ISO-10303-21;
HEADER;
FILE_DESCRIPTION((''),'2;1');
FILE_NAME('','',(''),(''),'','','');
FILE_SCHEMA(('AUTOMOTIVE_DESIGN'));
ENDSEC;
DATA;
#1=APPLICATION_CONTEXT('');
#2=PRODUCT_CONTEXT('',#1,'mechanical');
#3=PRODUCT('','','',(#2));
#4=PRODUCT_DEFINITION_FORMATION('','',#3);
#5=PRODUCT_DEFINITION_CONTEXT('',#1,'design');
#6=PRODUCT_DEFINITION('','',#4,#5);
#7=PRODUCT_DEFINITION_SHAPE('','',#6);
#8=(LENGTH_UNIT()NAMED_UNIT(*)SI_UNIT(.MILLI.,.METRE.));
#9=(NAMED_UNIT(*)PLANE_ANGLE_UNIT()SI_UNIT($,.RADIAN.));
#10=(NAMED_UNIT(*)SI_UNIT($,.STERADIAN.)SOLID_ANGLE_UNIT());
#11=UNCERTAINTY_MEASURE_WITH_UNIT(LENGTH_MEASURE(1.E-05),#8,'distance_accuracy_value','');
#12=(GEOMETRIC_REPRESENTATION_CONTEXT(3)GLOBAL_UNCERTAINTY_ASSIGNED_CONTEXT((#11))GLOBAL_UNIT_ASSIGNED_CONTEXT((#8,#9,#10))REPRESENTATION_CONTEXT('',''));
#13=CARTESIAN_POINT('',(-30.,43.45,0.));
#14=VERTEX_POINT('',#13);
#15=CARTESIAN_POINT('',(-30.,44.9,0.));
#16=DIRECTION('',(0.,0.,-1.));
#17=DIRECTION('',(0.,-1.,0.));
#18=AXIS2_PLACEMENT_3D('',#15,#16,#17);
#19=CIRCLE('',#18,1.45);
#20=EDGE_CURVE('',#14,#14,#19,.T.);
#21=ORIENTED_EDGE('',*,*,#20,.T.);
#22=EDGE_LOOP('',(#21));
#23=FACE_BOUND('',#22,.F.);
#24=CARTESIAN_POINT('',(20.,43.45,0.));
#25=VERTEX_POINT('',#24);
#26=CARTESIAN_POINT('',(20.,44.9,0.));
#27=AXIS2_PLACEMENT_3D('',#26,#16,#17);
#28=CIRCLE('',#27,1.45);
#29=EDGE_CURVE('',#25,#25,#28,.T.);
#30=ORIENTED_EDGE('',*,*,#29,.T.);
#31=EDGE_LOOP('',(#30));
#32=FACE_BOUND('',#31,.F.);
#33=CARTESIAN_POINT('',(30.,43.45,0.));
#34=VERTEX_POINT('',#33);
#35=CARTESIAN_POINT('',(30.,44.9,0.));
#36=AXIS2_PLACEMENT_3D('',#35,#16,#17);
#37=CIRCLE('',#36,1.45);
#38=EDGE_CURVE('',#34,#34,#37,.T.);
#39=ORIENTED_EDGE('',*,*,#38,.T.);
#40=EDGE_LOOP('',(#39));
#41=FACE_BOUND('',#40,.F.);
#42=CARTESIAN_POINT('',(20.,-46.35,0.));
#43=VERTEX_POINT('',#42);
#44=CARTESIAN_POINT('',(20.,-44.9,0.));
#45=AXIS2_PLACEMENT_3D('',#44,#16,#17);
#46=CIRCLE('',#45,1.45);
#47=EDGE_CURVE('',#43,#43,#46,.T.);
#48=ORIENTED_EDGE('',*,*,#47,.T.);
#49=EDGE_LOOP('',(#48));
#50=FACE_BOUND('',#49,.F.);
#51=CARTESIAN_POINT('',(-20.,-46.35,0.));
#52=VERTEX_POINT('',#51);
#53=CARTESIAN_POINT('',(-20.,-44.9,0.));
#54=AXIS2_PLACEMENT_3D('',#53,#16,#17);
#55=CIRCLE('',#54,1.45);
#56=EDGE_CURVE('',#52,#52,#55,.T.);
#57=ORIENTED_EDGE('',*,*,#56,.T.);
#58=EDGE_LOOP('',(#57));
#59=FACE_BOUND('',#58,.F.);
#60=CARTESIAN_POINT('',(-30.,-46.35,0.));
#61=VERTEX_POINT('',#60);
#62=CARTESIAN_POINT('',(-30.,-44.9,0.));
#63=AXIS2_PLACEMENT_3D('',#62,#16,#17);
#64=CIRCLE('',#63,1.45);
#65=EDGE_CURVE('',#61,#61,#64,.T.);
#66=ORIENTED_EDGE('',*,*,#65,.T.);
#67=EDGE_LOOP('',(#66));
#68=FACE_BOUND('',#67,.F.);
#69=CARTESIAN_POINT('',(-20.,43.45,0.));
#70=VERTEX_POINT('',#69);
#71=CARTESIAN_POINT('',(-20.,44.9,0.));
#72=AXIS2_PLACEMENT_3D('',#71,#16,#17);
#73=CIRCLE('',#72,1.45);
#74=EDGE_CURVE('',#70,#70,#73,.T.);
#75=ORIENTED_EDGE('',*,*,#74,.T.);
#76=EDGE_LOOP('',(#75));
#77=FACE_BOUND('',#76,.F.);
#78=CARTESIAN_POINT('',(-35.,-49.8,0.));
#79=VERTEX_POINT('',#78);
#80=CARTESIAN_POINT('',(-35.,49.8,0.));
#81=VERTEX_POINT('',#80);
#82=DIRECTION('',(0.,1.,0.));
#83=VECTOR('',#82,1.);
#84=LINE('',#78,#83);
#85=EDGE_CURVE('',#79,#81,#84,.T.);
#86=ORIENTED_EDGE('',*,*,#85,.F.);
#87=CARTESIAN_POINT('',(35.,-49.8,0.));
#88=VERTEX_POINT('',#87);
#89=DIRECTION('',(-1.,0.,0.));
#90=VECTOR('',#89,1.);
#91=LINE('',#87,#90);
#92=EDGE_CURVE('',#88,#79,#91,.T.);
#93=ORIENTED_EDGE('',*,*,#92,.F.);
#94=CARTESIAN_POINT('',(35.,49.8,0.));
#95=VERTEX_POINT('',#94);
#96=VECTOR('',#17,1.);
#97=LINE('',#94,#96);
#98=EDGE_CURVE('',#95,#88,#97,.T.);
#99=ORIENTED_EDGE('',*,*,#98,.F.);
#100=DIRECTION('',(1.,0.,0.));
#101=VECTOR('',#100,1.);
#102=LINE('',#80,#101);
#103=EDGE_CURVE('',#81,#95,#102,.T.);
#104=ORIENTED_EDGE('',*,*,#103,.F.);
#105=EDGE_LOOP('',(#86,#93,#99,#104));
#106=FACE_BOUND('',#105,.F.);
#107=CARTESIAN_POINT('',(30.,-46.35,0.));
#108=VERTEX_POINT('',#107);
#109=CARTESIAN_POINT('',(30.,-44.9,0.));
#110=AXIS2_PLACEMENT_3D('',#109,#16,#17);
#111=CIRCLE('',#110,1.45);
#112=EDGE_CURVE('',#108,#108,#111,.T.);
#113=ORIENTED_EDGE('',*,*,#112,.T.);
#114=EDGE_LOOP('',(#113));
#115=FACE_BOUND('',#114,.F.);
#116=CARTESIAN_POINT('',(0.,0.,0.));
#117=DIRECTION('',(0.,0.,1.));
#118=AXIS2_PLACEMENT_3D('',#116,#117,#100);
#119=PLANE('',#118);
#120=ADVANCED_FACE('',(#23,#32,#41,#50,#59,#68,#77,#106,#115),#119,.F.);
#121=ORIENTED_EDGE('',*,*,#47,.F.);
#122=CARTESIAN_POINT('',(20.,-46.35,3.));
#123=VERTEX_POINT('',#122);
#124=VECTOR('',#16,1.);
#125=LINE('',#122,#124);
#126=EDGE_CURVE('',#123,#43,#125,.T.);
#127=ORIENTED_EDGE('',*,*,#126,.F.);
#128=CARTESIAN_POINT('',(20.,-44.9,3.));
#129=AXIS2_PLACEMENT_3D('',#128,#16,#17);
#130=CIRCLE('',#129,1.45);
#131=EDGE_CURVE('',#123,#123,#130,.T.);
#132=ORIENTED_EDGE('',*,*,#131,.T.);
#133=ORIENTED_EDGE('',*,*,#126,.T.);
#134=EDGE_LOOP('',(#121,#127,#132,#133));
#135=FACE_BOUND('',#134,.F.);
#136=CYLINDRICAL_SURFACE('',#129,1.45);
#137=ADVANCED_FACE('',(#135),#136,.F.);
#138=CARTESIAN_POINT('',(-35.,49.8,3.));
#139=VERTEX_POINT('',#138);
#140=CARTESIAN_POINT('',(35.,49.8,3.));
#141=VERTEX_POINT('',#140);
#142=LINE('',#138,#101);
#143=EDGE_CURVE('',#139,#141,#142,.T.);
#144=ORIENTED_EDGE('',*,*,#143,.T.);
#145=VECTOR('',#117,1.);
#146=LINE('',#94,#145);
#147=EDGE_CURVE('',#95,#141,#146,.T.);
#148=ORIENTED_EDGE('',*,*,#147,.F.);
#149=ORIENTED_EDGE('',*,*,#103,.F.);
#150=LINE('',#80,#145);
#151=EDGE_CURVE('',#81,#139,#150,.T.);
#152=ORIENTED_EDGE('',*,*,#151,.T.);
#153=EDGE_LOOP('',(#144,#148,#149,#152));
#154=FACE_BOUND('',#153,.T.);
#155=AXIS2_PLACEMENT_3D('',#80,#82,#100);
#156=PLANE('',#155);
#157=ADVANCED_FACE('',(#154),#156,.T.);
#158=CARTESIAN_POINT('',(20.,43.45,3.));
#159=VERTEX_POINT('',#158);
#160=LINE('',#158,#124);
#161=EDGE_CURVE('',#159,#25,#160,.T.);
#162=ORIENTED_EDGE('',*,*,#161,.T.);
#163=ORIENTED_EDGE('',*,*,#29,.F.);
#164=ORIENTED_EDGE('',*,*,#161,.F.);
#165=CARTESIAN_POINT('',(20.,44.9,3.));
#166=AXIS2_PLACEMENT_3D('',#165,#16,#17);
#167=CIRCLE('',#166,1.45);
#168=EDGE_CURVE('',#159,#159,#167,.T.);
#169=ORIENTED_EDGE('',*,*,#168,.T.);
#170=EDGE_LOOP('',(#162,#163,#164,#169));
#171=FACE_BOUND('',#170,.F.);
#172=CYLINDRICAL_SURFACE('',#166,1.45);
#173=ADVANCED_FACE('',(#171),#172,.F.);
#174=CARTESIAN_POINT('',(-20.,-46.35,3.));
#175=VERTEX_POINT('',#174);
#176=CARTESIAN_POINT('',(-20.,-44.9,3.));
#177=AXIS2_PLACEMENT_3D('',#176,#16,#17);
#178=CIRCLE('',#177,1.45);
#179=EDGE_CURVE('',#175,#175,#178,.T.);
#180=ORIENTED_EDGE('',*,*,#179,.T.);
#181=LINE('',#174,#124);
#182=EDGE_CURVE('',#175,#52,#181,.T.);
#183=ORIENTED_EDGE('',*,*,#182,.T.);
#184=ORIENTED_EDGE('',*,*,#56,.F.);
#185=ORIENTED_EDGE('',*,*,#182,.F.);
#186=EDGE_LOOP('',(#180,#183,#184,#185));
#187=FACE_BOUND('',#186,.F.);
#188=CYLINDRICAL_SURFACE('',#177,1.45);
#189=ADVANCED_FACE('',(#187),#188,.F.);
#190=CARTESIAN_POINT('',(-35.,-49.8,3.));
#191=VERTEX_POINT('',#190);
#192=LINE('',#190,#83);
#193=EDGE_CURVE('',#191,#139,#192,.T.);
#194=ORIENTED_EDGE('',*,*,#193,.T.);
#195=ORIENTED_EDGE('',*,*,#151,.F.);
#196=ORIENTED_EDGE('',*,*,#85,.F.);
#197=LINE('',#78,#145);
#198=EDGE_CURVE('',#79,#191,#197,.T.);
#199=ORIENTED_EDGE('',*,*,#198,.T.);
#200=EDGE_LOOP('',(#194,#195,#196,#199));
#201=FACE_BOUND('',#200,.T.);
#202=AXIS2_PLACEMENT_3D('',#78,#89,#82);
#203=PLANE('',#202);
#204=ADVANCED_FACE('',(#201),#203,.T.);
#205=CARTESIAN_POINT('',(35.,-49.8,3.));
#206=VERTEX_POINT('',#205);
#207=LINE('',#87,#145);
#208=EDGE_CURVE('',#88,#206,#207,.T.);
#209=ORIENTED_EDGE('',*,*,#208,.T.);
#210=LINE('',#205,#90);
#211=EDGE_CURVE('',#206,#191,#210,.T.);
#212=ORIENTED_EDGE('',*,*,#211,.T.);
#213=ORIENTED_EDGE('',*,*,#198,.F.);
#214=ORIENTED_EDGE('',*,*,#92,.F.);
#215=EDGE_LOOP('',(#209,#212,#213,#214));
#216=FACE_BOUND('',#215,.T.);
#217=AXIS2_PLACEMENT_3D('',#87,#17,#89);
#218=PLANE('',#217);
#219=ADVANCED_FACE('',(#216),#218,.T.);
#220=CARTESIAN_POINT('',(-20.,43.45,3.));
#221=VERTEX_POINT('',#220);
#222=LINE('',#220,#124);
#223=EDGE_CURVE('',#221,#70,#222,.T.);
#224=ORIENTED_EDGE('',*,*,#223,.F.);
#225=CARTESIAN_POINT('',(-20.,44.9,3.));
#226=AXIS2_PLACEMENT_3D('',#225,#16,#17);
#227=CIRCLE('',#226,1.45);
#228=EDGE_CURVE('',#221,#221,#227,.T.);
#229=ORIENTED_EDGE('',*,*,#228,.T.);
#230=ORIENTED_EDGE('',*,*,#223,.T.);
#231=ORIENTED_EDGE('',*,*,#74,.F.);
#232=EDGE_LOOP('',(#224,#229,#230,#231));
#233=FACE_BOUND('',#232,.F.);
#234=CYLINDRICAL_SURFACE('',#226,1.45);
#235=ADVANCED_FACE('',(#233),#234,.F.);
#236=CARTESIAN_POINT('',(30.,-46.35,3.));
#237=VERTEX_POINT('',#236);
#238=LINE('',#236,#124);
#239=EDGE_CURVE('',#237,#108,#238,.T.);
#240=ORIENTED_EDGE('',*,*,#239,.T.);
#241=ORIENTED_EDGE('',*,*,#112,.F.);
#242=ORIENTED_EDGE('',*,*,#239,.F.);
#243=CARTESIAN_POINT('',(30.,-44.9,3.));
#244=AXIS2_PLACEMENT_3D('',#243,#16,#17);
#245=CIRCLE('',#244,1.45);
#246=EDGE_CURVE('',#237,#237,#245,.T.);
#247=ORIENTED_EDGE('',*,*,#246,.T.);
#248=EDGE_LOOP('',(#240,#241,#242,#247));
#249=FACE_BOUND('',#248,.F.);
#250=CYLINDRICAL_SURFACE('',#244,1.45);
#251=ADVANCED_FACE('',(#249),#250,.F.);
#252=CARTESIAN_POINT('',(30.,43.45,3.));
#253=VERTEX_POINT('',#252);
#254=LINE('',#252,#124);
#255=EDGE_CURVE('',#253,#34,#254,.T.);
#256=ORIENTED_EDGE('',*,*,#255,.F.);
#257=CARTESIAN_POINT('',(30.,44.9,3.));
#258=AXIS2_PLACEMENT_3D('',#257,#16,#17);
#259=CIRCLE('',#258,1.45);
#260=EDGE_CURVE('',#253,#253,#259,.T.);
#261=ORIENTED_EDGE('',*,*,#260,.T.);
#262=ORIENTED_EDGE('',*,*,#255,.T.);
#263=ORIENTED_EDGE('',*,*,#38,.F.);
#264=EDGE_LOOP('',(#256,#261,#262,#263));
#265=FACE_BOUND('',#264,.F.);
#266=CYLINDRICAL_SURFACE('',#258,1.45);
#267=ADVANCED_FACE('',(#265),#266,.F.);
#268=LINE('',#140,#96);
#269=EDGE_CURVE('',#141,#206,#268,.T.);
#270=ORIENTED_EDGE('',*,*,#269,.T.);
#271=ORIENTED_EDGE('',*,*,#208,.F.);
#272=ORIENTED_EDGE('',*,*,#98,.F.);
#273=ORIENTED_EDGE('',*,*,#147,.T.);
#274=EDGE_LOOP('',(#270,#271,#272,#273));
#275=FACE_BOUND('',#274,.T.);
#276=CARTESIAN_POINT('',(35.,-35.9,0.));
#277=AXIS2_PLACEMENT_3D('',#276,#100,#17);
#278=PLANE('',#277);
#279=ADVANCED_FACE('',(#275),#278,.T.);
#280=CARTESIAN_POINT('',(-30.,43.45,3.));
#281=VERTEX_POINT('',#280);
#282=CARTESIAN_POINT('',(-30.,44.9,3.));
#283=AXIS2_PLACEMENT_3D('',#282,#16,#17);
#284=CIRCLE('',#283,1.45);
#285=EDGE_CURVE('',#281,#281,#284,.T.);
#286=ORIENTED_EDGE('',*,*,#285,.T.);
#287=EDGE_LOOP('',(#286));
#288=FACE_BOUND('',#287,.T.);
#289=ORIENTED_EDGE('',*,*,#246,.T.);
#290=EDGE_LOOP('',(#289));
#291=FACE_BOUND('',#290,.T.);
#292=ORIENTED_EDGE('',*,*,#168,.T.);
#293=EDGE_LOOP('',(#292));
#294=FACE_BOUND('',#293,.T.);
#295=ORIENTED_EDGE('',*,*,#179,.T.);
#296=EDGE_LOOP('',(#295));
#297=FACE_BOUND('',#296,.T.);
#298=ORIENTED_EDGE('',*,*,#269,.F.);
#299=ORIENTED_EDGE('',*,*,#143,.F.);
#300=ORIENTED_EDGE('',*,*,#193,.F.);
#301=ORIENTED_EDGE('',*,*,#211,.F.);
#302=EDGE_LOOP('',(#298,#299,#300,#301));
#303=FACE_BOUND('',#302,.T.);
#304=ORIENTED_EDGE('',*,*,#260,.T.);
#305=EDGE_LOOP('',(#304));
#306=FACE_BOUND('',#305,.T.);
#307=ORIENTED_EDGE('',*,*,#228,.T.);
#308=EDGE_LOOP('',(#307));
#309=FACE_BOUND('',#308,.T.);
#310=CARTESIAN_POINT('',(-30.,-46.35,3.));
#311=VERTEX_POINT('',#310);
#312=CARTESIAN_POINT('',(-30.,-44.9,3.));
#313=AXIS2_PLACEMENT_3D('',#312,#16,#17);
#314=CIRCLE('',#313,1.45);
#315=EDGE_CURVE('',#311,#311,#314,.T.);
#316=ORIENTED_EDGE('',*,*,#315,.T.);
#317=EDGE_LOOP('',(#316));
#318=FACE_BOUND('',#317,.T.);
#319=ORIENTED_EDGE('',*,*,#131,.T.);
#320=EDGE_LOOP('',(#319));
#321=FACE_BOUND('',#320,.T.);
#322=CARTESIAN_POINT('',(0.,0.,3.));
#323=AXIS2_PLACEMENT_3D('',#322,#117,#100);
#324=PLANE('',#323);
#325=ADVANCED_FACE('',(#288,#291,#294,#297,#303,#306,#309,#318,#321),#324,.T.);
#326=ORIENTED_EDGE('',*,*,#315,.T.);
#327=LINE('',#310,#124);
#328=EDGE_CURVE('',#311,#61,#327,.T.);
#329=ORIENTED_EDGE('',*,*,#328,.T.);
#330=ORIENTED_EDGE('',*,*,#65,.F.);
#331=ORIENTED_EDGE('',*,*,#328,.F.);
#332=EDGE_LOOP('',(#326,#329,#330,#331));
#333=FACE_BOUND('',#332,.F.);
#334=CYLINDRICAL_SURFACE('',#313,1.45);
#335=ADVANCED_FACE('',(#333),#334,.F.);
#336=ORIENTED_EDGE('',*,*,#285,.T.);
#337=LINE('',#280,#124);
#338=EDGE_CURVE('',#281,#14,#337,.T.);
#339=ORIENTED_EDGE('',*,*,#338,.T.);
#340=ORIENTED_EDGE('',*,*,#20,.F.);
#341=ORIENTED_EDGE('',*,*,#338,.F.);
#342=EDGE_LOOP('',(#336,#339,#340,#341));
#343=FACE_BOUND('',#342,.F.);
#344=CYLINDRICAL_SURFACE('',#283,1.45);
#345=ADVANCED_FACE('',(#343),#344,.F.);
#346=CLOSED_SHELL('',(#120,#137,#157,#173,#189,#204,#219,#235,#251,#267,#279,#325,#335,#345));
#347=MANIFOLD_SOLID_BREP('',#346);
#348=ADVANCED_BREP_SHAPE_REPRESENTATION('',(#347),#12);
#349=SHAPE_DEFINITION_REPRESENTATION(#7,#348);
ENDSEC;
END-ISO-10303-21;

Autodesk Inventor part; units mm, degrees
ref_plane "YZ Plane" through (0, 0, 0) normal (1, 0, 0) x (0, 1, 0)
ref_plane "XZ Plane" through (0, 0, 0) normal (0, 1, 0) x (-1, 0, 0)
ref_plane "XY Plane" through (0, 0, 0) normal (0, 0, 1) x (1, 0, 0)
ref_plane "Arbeitsebene1" through (0, 0, 0) normal (0, 0, 1) x (1, 0, 0)
sketch "Skizze1" plane through (0, 0, 0) normal (0, 0, 1) x (1, 0, 0)
  circle A0 centre (-20, -44.9) radius 1.75 projected
  circle A1 centre (30, -44.9) radius 1.75 projected
  circle A2 centre (20, -44.9) radius 1.75 projected
  circle A3 centre (-30, -44.9) radius 1.75 projected
  line L0 (-35, -49.8) -> (-35, -35.9) projected
  line L1 (35, -49.8) -> (-35, -49.8) projected
  line L2 (35, -35.9) -> (35, -49.8) projected
  line L3 (-35, -35.9) -> (35, -35.9) projected
  arc A4 (-19.0986, 43.4) -> (-20.9014, 43.4) centre (-20, 44.9) ccw projected
  line L4 (19.0986, 43.4) -> (-19.0986, 43.4) projected
  arc A5 (20.9014, 43.4) -> (19.0986, 43.4) centre (20, 44.9) ccw projected
  line L5 (29.0986, 43.4) -> (20.9014, 43.4) projected
  arc A6 (30.9014, 43.4) -> (29.0986, 43.4) centre (30, 44.9) ccw projected
  line L6 (35, 43.4) -> (30.9014, 43.4) projected
  line L7 (35, 49.8) -> (35, 43.4) projected
  line L8 (-35, 49.8) -> (35, 49.8) projected
  line L9 (-35, 43.4) -> (-35, 49.8) projected
  line L10 (-30.9014, 43.4) -> (-35, 43.4) projected
  arc A7 (-29.0986, 43.4) -> (-30.9014, 43.4) centre (-30, 44.9) ccw projected
  line L11 (-20.9014, 43.4) -> (-29.0986, 43.4) projected
  line L12 (35, -49.8) -> (-35, -49.8)
  line L13 (-35, -49.8) -> (-35, 49.8)
  line L14 (-35, 49.8) -> (35, 49.8)
  line L15 (35, 49.8) -> (35, -49.8)
  point P0 (0, 0)
extrude "Extrusion1" add sketch "Skizze1" along normal blind 3 contours A0 | A1 | A2 | A3 | L0 L3 L2 L1 | L13 L10 A7 L11 A4 L4 A5 L5 A6 L6 L15 L3 | L9 L8 L7 L6 A6 L5 A5 L4 A4 L11 A7 L10
sketch "Skizze2" plane through (0, 0, 3) normal (0, 0, 1) x (1, 0, 0)
  circle A0 centre (30, -44.9) radius 1.75 projected
  circle A1 centre (20, -44.9) radius 1.75 projected
  circle A2 centre (-20, -44.9) radius 1.75 projected
  circle A3 centre (-30, -44.9) radius 1.75 projected
  arc A4 (30.9014, 43.4) -> (29.0986, 43.4) centre (30, 44.9) ccw projected
  arc A5 (20.9014, 43.4) -> (19.0986, 43.4) centre (20, 44.9) ccw projected
  arc A6 (-19.0986, 43.4) -> (-20.9014, 43.4) centre (-20, 44.9) ccw projected
  arc A7 (-29.0986, 43.4) -> (-30.9014, 43.4) centre (-30, 44.9) ccw projected
  point P0 (0, 0)
hole "Bohrung1" at (30, 44.9, 3) at (20, 44.9, 3) at (-30, -44.9, 3) at (-20, -44.9, 3) at (20, -44.9, 3) at (30, -44.9, 3) at (-20, 44.9, 3) at (-30, 44.9, 3) direction (0, 0, -1) diameter 2.9 end through all
properties part number "20_Projector_Sony_Moun_2"
